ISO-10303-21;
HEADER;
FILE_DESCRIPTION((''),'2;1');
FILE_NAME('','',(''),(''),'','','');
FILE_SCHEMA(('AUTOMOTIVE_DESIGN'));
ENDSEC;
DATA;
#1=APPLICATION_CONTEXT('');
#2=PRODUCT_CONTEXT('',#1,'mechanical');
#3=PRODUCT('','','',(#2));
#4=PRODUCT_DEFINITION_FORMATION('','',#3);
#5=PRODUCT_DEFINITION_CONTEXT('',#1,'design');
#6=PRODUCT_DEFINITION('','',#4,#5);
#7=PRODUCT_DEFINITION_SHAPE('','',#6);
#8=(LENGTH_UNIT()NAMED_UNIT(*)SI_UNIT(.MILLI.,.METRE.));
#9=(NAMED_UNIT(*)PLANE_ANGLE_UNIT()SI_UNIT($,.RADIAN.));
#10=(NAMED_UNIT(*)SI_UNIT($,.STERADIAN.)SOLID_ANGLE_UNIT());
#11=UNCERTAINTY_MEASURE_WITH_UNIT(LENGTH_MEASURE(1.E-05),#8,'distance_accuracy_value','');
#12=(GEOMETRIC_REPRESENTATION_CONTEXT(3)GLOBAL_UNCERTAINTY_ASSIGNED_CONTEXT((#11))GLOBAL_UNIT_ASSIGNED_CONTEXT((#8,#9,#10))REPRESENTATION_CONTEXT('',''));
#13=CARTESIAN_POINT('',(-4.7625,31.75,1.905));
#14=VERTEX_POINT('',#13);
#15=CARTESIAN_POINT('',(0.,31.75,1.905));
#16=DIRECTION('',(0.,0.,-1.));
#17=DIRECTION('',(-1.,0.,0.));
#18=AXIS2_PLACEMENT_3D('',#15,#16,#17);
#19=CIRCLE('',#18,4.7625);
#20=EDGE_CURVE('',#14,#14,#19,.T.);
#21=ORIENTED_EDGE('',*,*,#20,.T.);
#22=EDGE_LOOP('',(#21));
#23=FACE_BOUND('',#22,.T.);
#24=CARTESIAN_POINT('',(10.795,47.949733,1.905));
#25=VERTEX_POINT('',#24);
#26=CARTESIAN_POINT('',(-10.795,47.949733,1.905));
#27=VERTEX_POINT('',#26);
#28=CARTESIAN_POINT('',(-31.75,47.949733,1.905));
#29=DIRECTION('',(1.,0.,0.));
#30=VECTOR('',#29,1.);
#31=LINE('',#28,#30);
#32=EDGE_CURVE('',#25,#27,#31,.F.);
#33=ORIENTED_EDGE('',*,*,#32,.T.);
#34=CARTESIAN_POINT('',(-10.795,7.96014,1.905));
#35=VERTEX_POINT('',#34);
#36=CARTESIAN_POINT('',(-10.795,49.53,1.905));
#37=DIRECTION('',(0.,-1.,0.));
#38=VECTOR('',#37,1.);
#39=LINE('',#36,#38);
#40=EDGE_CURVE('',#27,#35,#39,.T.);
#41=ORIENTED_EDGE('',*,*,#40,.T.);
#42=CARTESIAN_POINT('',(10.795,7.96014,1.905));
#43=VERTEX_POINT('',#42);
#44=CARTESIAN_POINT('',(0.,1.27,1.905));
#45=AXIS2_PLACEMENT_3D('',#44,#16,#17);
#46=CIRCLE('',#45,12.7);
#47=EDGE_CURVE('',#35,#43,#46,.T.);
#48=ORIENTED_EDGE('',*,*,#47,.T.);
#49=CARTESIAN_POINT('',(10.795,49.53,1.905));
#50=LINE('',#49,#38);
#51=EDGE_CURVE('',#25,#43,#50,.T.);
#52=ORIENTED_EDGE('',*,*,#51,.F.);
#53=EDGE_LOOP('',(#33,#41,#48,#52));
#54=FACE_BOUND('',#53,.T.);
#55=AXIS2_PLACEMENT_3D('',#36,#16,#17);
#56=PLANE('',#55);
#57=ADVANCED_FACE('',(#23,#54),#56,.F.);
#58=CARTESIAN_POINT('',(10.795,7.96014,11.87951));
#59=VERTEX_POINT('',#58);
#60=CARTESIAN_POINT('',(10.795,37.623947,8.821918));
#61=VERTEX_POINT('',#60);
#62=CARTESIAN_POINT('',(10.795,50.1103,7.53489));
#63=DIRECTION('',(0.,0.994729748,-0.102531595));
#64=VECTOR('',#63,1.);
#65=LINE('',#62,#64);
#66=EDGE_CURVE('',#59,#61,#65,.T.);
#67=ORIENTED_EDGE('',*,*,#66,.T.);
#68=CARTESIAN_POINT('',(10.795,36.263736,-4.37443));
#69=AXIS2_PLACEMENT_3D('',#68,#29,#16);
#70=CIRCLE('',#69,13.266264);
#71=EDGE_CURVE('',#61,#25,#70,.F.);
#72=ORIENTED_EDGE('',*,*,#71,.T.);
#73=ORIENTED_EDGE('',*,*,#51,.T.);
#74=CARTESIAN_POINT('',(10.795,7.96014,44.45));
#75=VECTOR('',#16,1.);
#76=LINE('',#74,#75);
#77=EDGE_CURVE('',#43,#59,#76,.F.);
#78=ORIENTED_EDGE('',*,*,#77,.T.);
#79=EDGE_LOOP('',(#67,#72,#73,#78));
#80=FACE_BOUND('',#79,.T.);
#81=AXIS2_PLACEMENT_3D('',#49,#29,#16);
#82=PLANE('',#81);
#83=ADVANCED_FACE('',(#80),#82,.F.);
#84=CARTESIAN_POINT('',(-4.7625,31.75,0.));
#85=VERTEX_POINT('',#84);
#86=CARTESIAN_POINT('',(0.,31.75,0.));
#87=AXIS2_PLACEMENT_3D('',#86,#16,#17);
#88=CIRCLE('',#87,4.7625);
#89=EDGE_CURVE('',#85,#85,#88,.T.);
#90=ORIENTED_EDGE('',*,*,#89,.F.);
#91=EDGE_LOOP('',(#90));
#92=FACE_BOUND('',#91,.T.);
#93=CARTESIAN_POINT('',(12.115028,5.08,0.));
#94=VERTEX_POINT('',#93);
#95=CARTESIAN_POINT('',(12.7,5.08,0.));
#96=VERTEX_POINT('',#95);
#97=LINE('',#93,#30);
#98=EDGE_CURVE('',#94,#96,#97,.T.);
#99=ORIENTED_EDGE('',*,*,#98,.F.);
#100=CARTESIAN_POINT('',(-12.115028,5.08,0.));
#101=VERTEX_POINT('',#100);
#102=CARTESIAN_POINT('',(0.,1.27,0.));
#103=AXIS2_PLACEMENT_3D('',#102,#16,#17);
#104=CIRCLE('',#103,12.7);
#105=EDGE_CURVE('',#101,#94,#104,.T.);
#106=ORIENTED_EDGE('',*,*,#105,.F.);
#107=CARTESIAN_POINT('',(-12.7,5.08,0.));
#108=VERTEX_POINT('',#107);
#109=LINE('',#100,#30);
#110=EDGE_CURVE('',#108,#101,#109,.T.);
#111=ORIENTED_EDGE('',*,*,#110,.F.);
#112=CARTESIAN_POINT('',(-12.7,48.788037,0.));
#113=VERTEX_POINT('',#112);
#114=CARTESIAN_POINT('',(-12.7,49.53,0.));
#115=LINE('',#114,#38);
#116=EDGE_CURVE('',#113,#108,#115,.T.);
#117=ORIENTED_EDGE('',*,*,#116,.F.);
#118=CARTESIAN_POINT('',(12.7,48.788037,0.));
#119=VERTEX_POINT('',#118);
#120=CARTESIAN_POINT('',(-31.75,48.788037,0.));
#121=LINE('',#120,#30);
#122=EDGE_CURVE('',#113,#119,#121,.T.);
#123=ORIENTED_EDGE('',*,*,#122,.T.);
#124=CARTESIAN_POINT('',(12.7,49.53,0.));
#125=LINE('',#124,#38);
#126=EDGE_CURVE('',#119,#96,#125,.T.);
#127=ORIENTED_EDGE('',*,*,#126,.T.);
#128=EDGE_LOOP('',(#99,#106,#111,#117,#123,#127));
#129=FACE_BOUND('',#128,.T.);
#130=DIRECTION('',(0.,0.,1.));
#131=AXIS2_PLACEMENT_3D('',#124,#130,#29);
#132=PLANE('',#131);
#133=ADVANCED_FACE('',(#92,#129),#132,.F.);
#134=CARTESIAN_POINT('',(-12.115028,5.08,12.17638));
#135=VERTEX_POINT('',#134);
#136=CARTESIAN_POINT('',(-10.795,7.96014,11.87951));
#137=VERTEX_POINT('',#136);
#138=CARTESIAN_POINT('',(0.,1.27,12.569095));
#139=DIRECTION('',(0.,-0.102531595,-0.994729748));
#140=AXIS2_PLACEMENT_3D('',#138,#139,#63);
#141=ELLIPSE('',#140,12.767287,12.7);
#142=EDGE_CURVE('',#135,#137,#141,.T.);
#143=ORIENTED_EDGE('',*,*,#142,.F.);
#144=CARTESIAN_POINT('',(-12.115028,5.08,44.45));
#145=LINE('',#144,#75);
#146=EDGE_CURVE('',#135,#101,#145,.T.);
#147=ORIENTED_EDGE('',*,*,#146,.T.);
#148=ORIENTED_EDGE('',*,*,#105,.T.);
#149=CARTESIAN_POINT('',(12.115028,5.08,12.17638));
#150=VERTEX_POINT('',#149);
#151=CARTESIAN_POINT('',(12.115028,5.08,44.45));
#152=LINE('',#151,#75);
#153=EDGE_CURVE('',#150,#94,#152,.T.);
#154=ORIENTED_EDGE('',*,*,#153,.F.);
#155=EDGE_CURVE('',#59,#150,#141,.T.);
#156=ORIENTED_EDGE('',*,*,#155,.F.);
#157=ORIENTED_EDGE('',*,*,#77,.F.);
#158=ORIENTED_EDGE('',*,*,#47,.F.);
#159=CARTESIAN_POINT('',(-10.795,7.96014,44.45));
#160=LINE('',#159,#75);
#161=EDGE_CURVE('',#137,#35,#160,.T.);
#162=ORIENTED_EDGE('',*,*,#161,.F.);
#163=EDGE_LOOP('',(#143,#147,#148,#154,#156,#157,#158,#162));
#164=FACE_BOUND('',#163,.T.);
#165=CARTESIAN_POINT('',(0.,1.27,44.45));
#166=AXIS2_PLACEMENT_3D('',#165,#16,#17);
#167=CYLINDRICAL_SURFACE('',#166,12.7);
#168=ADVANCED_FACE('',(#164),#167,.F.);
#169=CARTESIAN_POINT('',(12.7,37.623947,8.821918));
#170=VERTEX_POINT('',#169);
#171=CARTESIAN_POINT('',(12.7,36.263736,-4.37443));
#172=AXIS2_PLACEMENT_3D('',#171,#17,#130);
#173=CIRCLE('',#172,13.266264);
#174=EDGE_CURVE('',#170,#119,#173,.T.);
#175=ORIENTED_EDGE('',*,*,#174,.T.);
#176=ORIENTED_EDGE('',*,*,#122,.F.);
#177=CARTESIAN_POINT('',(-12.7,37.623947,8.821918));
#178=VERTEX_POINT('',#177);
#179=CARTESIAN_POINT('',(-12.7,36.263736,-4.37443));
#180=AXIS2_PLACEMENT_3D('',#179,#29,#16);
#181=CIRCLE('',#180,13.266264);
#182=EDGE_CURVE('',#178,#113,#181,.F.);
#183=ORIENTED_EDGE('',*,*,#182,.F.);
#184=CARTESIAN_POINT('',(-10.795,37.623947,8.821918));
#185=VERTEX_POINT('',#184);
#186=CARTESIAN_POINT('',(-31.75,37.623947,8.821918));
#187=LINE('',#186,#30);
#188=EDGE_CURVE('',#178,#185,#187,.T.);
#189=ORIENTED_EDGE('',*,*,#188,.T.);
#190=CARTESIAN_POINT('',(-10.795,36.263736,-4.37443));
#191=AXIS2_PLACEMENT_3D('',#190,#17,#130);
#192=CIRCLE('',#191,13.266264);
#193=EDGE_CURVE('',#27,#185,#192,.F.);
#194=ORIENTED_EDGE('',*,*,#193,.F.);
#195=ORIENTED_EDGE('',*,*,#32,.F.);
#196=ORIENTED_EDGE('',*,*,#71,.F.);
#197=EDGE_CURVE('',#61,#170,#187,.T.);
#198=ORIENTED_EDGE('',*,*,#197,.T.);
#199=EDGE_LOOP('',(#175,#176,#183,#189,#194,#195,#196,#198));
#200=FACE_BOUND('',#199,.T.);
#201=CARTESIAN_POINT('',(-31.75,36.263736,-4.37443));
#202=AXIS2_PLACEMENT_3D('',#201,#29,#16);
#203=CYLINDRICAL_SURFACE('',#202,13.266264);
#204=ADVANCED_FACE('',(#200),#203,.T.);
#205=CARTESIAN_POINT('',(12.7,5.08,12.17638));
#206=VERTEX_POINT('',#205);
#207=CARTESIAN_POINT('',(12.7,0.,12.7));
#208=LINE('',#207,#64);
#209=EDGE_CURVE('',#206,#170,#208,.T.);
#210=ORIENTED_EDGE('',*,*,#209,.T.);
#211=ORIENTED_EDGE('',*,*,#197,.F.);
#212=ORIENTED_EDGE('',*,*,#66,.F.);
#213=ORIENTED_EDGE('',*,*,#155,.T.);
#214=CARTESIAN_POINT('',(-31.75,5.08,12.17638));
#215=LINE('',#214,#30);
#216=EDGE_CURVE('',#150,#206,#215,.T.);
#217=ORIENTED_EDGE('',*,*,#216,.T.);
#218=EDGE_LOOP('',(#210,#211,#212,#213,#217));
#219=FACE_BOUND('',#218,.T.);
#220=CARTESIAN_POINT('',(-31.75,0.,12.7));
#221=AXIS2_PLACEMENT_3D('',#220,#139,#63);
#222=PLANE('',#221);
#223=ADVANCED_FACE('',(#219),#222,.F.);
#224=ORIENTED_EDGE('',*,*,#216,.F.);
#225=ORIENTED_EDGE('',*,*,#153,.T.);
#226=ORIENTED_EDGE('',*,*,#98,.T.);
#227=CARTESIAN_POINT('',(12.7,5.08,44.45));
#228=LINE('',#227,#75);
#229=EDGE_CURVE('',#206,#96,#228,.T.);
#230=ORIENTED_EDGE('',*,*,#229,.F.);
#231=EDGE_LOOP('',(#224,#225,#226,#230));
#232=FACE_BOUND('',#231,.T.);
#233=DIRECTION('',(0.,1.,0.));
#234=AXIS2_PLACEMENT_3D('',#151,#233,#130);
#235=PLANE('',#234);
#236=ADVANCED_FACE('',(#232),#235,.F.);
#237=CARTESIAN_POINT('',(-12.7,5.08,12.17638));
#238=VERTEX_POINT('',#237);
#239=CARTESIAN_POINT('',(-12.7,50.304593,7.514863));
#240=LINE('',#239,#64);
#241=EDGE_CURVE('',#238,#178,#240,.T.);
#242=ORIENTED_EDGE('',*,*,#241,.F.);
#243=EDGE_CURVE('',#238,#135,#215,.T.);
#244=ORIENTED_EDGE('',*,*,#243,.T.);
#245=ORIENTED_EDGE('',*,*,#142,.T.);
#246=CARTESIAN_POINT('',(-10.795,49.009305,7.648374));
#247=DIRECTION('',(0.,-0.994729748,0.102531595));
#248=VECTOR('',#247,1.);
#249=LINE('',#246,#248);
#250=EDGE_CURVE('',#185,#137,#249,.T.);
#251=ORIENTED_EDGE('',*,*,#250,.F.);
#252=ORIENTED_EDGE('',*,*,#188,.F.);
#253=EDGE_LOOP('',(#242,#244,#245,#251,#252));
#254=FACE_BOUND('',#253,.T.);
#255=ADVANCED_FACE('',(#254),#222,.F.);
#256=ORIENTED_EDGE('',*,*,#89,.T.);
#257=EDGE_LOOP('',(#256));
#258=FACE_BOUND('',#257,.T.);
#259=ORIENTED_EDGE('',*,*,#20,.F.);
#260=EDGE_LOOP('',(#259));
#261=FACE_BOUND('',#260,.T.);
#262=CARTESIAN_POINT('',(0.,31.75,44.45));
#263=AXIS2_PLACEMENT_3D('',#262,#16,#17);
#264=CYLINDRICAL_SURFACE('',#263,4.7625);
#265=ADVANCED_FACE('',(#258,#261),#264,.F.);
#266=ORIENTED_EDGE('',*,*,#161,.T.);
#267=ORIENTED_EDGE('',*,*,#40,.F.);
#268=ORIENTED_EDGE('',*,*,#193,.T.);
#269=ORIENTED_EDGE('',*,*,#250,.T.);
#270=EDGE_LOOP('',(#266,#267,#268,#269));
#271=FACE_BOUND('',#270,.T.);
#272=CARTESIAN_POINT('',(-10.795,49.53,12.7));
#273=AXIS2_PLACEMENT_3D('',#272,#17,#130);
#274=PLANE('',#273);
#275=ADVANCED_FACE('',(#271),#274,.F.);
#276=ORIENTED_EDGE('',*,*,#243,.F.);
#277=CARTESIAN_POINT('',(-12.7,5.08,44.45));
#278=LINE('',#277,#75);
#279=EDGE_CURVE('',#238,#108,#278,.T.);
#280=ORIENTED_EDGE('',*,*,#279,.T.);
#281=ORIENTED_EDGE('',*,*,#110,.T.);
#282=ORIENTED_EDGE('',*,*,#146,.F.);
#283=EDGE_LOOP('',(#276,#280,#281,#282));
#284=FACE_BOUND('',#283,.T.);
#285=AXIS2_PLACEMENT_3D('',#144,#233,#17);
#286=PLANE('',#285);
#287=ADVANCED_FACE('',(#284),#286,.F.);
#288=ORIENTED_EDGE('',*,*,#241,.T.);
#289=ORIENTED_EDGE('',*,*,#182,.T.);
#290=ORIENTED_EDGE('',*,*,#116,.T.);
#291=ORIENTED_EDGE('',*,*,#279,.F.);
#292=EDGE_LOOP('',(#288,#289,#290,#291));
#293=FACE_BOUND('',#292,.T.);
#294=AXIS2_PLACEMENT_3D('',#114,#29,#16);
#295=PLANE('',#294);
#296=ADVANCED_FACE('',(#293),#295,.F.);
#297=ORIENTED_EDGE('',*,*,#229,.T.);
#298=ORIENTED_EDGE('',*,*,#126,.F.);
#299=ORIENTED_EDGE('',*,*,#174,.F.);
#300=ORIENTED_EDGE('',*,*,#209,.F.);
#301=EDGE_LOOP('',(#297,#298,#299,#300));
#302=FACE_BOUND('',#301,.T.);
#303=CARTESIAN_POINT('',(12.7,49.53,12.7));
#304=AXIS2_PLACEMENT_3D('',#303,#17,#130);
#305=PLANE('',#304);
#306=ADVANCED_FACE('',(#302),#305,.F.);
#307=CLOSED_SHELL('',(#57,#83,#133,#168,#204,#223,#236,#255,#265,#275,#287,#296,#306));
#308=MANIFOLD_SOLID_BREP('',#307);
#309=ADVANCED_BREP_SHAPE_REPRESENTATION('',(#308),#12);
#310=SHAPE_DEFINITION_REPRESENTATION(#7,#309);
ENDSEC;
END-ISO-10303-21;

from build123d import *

# Parameters (mm, degrees)
BOSS_EXTRUDE1_DEPTH = 49.53
CUT_EXTRUDE1_DEPTH  = 44.45
SKETCH3_R           = 4.7625
CUT_EXTRUDE2_DEPTH  = 44.45


with BuildPart() as part:
    # Sketch1 → Boss-Extrude1 (new body)
    with BuildSketch(Plane(origin=(0, 0, 0), x_dir=(1, 0, 0), z_dir=(0, 1, 0))):
        Polygon((-12.7, -12.7), (-10.795, -12.7), (-10.795, -1.905), (10.795, -1.905), (10.795, -12.7), (12.7, -12.7), (12.7, 0), (-12.7, 0), align=None)
    extrude(amount=BOSS_EXTRUDE1_DEPTH)

    # Sketch2 → Cut-Extrude1 (cut)
    with BuildSketch(Plane(origin=(12.7, 0, 0), x_dir=(0, 0, -1), z_dir=(1, 0, 0))):
        with BuildLine():
            Line((-12.7, 0), (-8.821918242, 37.623946857))
            ThreePointArc((-8.821918242, 37.623946857), (-4.512325964, 46.11357553), (4.374429599, 49.53))
            Line((4.374429599, 49.53), (-12.7, 49.53))
            Line((-12.7, 49.53), (-12.7, 0))
        make_face()
    extrude(amount=-CUT_EXTRUDE1_DEPTH, mode=Mode.SUBTRACT)

    # Sketch3 → Cut-Extrude2 (cut)
    with BuildSketch(Plane(origin=(0, 0, 0), x_dir=(-1, 0, 0), z_dir=(0, 0, -1))):
        with Locations((0, 31.75)):
            Circle(SKETCH3_R)
        with BuildLine():
            Line((-12.115027858, 5.08), (-12.7, 5.08))
            Line((-12.7, 5.08), (-12.7, 0))
            Line((-12.7, 0), (12.7, 0))
            Line((12.7, 0), (12.7, 5.08))
            Line((12.7, 5.08), (12.115027858, 5.08))
            ThreePointArc((12.115027858, 5.08), (0, 13.97), (-12.115027858, 5.08))
        make_face()
    extrude(amount=-CUT_EXTRUDE2_DEPTH, mode=Mode.SUBTRACT)


solid = part.part
